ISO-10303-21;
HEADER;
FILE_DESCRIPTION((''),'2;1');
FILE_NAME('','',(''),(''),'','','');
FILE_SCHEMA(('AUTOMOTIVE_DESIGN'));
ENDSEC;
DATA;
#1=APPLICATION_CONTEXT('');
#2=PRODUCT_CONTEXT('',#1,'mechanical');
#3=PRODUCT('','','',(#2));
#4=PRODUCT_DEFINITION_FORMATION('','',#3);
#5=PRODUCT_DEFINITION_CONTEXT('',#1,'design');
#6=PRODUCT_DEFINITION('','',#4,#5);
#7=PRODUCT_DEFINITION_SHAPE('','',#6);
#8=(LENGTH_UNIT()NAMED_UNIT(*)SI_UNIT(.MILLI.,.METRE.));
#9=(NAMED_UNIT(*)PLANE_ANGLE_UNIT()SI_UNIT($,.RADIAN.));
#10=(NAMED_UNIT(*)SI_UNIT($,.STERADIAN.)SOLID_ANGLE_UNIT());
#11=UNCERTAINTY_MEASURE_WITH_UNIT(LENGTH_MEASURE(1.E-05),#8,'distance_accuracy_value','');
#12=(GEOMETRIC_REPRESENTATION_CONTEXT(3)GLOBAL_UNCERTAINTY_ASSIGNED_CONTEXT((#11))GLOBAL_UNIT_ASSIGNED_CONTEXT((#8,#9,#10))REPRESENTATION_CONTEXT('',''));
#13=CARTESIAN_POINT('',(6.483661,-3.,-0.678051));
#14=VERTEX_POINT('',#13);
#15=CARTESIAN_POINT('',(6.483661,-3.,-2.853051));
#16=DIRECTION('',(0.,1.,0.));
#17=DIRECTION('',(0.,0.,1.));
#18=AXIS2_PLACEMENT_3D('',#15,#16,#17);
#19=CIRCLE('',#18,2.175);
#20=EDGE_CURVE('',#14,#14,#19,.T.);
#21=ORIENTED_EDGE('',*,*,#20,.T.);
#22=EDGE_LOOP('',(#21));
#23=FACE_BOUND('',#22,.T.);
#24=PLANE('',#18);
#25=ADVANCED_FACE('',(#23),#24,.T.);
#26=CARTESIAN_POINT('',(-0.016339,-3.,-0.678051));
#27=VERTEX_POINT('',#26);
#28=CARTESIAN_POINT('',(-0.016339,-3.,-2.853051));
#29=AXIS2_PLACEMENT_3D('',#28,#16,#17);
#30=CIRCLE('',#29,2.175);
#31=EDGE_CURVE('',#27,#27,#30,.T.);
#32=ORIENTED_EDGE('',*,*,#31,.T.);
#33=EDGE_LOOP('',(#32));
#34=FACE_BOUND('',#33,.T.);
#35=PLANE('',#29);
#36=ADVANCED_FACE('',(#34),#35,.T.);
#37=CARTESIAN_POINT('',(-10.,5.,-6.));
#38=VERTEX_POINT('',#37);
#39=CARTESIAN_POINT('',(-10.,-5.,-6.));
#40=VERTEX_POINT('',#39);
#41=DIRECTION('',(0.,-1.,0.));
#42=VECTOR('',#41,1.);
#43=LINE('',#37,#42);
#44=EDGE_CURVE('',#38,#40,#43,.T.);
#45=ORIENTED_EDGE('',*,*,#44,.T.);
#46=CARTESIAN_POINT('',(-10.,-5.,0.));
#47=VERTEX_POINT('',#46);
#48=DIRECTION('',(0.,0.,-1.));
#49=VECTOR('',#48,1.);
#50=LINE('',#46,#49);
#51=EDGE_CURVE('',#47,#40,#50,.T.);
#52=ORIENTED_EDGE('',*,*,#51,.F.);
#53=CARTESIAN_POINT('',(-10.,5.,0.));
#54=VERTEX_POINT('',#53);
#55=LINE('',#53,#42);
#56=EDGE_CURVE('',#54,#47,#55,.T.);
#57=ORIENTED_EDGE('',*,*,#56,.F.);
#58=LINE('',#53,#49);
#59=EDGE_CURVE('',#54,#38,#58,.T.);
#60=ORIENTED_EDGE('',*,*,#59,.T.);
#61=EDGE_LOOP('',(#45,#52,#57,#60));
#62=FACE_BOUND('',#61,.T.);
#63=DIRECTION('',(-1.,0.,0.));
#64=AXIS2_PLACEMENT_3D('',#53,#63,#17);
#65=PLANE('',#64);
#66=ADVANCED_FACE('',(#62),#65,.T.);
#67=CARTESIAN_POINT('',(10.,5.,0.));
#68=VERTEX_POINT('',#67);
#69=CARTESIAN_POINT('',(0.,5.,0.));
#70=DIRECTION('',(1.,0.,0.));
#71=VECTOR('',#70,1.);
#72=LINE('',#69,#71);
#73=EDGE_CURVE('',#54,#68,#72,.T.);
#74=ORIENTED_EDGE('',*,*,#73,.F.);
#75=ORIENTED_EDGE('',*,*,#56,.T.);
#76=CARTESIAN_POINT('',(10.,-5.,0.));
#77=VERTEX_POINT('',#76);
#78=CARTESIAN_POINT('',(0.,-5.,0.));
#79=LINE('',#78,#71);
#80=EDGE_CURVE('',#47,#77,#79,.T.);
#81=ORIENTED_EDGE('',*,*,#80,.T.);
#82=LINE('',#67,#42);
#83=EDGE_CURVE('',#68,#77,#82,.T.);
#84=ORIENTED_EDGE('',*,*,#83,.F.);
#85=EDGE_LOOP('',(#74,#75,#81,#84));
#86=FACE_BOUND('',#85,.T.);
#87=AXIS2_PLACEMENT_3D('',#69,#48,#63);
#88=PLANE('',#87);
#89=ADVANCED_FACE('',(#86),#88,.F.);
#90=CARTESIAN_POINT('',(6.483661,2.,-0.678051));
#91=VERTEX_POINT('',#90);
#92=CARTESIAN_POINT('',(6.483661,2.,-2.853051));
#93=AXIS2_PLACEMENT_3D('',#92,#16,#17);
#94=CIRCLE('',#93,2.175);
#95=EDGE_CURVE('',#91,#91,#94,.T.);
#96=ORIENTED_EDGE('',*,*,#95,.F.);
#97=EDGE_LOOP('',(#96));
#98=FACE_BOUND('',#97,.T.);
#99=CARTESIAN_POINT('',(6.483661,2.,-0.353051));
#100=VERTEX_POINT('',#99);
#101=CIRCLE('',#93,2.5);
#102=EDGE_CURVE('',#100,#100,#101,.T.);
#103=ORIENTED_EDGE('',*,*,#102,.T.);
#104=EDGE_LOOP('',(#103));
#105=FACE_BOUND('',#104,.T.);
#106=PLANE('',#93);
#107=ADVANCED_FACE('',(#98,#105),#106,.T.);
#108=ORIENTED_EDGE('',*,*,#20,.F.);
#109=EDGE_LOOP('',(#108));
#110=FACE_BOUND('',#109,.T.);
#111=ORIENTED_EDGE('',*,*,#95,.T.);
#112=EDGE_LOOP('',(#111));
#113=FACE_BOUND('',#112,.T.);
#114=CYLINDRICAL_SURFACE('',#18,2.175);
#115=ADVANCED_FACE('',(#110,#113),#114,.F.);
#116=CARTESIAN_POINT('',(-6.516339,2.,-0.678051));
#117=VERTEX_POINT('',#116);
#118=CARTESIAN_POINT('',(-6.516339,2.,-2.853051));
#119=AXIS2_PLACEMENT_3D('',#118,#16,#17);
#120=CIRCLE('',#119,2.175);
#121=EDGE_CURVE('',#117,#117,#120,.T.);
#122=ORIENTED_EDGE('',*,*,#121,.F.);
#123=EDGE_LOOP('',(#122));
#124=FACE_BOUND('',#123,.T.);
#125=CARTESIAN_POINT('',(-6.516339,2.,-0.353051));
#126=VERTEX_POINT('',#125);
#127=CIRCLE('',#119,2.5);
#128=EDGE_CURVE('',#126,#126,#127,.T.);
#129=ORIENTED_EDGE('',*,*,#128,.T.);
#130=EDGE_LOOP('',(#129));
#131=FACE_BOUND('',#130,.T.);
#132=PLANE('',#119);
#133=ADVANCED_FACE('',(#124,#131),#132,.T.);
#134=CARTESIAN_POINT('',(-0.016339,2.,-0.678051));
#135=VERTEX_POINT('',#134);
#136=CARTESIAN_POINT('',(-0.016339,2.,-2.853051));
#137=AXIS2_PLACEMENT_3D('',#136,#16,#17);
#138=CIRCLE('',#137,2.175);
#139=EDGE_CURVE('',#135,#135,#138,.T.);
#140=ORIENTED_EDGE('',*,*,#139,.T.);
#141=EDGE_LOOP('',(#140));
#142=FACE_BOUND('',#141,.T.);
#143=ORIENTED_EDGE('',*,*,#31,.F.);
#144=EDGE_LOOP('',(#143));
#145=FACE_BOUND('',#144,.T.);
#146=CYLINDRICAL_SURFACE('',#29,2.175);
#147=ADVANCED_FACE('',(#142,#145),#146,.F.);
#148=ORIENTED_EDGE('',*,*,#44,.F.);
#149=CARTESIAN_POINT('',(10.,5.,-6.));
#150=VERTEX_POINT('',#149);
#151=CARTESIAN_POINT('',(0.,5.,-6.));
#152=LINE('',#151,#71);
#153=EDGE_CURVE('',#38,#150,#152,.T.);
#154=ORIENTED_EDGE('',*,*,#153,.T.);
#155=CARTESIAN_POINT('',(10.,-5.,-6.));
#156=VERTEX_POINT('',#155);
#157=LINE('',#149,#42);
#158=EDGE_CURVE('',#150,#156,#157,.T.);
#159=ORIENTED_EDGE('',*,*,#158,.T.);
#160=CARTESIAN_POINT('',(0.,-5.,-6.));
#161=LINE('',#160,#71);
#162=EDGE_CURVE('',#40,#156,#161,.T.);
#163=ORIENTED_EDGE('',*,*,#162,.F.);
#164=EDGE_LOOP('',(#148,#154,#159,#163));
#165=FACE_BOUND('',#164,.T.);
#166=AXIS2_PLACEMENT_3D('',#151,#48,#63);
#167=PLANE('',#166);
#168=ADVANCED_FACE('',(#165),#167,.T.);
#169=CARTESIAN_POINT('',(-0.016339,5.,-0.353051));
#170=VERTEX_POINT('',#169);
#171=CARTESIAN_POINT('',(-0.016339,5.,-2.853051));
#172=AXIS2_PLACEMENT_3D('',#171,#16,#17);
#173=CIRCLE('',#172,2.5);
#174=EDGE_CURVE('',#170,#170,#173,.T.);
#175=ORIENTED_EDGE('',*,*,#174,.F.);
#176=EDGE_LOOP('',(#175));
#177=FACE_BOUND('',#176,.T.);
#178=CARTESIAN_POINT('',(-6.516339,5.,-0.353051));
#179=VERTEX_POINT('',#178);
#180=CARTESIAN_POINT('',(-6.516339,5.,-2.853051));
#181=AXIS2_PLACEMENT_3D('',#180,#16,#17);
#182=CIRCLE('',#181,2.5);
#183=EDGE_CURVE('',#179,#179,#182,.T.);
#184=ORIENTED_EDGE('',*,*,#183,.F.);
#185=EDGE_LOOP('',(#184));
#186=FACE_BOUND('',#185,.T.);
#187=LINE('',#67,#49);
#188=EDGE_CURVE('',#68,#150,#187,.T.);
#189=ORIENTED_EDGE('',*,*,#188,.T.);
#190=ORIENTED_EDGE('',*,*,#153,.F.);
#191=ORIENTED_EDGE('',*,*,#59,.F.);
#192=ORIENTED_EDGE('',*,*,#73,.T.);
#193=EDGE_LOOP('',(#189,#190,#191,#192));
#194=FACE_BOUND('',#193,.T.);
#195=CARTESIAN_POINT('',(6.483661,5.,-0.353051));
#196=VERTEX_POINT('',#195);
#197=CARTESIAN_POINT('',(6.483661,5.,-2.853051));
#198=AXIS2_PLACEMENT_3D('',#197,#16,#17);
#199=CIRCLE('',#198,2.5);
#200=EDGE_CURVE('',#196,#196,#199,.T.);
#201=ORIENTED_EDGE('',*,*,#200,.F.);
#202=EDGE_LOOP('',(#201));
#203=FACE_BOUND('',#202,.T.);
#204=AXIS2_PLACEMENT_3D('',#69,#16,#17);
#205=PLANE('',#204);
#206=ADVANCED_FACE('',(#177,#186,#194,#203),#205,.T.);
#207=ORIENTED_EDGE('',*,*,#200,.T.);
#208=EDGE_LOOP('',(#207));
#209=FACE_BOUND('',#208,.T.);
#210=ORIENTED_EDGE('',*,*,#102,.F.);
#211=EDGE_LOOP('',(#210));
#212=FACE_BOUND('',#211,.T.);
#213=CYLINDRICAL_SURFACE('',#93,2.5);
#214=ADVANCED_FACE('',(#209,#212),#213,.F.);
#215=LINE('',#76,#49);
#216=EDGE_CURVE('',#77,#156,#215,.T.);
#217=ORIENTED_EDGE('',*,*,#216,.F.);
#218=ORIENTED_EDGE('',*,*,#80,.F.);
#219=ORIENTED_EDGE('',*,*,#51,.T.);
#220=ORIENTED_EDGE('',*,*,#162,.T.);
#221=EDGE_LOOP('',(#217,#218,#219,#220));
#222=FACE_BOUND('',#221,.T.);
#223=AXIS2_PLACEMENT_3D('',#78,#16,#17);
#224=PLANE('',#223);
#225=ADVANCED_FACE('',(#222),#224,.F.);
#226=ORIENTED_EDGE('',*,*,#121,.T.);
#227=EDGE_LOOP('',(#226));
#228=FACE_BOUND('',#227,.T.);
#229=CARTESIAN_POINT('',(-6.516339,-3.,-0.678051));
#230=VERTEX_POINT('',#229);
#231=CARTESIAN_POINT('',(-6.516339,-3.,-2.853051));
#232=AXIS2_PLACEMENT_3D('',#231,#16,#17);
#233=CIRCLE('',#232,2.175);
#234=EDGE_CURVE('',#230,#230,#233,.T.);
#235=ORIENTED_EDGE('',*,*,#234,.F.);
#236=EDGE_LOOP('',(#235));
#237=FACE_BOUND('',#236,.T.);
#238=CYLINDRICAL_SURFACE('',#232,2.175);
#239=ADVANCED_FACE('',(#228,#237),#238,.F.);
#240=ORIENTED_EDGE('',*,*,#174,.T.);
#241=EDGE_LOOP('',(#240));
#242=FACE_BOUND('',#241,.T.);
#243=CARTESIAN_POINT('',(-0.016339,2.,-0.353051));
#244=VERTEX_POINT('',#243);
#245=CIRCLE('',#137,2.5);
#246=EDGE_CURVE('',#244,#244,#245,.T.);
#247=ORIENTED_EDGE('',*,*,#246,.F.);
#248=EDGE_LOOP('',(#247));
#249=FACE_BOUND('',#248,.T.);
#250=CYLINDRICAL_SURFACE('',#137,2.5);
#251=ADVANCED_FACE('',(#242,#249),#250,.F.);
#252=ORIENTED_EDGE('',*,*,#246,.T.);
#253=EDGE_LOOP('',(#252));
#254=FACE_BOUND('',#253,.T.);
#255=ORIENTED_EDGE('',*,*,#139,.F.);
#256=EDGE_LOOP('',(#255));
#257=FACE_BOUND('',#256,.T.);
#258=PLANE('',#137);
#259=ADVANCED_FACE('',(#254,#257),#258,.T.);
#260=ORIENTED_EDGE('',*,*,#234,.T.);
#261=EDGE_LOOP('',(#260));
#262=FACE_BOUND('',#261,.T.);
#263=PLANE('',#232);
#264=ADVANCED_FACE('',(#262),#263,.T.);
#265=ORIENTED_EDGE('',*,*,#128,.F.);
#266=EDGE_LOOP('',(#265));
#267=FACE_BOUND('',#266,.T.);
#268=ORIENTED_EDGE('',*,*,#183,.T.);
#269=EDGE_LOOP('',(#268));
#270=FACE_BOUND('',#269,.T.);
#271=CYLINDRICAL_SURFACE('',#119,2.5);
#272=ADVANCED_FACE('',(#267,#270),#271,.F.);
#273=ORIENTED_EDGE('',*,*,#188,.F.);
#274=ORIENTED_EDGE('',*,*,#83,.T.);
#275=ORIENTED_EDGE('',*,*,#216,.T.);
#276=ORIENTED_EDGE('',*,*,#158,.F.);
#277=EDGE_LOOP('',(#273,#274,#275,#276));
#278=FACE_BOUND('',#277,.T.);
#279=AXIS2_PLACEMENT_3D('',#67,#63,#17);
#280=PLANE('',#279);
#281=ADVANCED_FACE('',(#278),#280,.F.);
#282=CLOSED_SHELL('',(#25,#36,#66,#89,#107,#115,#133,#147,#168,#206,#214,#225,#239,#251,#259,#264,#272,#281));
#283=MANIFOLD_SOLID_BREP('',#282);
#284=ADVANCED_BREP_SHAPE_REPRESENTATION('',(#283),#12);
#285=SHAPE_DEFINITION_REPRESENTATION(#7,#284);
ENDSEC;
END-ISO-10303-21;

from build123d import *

# Parameters (mm, degrees)
SKETCH1_W           = 20
SKETCH1_H           = 6
BOSS_EXTRUDE1_DEPTH = 5
CUT_EXTRUDE1_START  = 5
SKETCH1_4_R         = 2.5
SKETCH1_4_R_2       = 2.175
CUT_EXTRUDE1_DEPTH  = 3
CUT_EXTRUDE2_START  = 2
SKETCH1_5_R         = 2.175
CUT_EXTRUDE2_DEPTH  = 5
LPATTERN1_COUNT     = 3
LPATTERN1_PITCH     = 6.5


with BuildPart() as part:
    # Sketch1 → Boss-Extrude1 (new, symmetric)
    with BuildSketch(Plane(origin=(0, 0, 0), x_dir=(1, 0, 0), z_dir=(0, 1, 0))):
        with Locations((0, 3)):
            Rectangle(SKETCH1_W, SKETCH1_H)
    extrude(amount=BOSS_EXTRUDE1_DEPTH, both=True)

    # Sketch1<4> → Cut-Extrude1 (cut)
    # profile 1 of 2: a face of its own
    with BuildSketch(Plane(origin=(0, 0, 0), x_dir=(1, 0, 0), z_dir=(0, 1, 0)).offset(CUT_EXTRUDE1_START)):
        with Locations(Location((-6.516339464, 2.853050679, 0), (0, 0, 270))):
            Circle(SKETCH1_4_R)
        with Locations((-6.516339464, 2.853050679)):
            Circle(SKETCH1_4_R_2, mode=Mode.SUBTRACT)
    # profile 2 of 2: a face of its own
    with BuildSketch(Plane(origin=(0, 0, 0), x_dir=(1, 0, 0), z_dir=(0, 1, 0)).offset(CUT_EXTRUDE1_START)):
        with Locations((-6.516339464, 2.853050679)):
            Circle(SKETCH1_4_R_2)
    cut_extrude1 = extrude(amount=-CUT_EXTRUDE1_DEPTH, mode=Mode.SUBTRACT)

    # Sketch1<5> → Cut-Extrude2 (cut)
    with BuildSketch(Plane(origin=(0, 0, 0), x_dir=(1, 0, 0), z_dir=(0, 1, 0)).offset(CUT_EXTRUDE2_START)):
        with Locations(Location((-6.516339464, 2.853050679, 0), (0, 0, 270))):
            Circle(SKETCH1_5_R)
    cut_extrude2 = extrude(amount=-CUT_EXTRUDE2_DEPTH, mode=Mode.SUBTRACT)

    # LPattern1: Cut-Extrude1, Cut-Extrude2 ×3
    with Locations(*[(i * LPATTERN1_PITCH, 0, 0) for i in range(1, LPATTERN1_COUNT)]):
        add(cut_extrude1, mode=Mode.SUBTRACT)
        add(cut_extrude2, mode=Mode.SUBTRACT)


solid = part.part
